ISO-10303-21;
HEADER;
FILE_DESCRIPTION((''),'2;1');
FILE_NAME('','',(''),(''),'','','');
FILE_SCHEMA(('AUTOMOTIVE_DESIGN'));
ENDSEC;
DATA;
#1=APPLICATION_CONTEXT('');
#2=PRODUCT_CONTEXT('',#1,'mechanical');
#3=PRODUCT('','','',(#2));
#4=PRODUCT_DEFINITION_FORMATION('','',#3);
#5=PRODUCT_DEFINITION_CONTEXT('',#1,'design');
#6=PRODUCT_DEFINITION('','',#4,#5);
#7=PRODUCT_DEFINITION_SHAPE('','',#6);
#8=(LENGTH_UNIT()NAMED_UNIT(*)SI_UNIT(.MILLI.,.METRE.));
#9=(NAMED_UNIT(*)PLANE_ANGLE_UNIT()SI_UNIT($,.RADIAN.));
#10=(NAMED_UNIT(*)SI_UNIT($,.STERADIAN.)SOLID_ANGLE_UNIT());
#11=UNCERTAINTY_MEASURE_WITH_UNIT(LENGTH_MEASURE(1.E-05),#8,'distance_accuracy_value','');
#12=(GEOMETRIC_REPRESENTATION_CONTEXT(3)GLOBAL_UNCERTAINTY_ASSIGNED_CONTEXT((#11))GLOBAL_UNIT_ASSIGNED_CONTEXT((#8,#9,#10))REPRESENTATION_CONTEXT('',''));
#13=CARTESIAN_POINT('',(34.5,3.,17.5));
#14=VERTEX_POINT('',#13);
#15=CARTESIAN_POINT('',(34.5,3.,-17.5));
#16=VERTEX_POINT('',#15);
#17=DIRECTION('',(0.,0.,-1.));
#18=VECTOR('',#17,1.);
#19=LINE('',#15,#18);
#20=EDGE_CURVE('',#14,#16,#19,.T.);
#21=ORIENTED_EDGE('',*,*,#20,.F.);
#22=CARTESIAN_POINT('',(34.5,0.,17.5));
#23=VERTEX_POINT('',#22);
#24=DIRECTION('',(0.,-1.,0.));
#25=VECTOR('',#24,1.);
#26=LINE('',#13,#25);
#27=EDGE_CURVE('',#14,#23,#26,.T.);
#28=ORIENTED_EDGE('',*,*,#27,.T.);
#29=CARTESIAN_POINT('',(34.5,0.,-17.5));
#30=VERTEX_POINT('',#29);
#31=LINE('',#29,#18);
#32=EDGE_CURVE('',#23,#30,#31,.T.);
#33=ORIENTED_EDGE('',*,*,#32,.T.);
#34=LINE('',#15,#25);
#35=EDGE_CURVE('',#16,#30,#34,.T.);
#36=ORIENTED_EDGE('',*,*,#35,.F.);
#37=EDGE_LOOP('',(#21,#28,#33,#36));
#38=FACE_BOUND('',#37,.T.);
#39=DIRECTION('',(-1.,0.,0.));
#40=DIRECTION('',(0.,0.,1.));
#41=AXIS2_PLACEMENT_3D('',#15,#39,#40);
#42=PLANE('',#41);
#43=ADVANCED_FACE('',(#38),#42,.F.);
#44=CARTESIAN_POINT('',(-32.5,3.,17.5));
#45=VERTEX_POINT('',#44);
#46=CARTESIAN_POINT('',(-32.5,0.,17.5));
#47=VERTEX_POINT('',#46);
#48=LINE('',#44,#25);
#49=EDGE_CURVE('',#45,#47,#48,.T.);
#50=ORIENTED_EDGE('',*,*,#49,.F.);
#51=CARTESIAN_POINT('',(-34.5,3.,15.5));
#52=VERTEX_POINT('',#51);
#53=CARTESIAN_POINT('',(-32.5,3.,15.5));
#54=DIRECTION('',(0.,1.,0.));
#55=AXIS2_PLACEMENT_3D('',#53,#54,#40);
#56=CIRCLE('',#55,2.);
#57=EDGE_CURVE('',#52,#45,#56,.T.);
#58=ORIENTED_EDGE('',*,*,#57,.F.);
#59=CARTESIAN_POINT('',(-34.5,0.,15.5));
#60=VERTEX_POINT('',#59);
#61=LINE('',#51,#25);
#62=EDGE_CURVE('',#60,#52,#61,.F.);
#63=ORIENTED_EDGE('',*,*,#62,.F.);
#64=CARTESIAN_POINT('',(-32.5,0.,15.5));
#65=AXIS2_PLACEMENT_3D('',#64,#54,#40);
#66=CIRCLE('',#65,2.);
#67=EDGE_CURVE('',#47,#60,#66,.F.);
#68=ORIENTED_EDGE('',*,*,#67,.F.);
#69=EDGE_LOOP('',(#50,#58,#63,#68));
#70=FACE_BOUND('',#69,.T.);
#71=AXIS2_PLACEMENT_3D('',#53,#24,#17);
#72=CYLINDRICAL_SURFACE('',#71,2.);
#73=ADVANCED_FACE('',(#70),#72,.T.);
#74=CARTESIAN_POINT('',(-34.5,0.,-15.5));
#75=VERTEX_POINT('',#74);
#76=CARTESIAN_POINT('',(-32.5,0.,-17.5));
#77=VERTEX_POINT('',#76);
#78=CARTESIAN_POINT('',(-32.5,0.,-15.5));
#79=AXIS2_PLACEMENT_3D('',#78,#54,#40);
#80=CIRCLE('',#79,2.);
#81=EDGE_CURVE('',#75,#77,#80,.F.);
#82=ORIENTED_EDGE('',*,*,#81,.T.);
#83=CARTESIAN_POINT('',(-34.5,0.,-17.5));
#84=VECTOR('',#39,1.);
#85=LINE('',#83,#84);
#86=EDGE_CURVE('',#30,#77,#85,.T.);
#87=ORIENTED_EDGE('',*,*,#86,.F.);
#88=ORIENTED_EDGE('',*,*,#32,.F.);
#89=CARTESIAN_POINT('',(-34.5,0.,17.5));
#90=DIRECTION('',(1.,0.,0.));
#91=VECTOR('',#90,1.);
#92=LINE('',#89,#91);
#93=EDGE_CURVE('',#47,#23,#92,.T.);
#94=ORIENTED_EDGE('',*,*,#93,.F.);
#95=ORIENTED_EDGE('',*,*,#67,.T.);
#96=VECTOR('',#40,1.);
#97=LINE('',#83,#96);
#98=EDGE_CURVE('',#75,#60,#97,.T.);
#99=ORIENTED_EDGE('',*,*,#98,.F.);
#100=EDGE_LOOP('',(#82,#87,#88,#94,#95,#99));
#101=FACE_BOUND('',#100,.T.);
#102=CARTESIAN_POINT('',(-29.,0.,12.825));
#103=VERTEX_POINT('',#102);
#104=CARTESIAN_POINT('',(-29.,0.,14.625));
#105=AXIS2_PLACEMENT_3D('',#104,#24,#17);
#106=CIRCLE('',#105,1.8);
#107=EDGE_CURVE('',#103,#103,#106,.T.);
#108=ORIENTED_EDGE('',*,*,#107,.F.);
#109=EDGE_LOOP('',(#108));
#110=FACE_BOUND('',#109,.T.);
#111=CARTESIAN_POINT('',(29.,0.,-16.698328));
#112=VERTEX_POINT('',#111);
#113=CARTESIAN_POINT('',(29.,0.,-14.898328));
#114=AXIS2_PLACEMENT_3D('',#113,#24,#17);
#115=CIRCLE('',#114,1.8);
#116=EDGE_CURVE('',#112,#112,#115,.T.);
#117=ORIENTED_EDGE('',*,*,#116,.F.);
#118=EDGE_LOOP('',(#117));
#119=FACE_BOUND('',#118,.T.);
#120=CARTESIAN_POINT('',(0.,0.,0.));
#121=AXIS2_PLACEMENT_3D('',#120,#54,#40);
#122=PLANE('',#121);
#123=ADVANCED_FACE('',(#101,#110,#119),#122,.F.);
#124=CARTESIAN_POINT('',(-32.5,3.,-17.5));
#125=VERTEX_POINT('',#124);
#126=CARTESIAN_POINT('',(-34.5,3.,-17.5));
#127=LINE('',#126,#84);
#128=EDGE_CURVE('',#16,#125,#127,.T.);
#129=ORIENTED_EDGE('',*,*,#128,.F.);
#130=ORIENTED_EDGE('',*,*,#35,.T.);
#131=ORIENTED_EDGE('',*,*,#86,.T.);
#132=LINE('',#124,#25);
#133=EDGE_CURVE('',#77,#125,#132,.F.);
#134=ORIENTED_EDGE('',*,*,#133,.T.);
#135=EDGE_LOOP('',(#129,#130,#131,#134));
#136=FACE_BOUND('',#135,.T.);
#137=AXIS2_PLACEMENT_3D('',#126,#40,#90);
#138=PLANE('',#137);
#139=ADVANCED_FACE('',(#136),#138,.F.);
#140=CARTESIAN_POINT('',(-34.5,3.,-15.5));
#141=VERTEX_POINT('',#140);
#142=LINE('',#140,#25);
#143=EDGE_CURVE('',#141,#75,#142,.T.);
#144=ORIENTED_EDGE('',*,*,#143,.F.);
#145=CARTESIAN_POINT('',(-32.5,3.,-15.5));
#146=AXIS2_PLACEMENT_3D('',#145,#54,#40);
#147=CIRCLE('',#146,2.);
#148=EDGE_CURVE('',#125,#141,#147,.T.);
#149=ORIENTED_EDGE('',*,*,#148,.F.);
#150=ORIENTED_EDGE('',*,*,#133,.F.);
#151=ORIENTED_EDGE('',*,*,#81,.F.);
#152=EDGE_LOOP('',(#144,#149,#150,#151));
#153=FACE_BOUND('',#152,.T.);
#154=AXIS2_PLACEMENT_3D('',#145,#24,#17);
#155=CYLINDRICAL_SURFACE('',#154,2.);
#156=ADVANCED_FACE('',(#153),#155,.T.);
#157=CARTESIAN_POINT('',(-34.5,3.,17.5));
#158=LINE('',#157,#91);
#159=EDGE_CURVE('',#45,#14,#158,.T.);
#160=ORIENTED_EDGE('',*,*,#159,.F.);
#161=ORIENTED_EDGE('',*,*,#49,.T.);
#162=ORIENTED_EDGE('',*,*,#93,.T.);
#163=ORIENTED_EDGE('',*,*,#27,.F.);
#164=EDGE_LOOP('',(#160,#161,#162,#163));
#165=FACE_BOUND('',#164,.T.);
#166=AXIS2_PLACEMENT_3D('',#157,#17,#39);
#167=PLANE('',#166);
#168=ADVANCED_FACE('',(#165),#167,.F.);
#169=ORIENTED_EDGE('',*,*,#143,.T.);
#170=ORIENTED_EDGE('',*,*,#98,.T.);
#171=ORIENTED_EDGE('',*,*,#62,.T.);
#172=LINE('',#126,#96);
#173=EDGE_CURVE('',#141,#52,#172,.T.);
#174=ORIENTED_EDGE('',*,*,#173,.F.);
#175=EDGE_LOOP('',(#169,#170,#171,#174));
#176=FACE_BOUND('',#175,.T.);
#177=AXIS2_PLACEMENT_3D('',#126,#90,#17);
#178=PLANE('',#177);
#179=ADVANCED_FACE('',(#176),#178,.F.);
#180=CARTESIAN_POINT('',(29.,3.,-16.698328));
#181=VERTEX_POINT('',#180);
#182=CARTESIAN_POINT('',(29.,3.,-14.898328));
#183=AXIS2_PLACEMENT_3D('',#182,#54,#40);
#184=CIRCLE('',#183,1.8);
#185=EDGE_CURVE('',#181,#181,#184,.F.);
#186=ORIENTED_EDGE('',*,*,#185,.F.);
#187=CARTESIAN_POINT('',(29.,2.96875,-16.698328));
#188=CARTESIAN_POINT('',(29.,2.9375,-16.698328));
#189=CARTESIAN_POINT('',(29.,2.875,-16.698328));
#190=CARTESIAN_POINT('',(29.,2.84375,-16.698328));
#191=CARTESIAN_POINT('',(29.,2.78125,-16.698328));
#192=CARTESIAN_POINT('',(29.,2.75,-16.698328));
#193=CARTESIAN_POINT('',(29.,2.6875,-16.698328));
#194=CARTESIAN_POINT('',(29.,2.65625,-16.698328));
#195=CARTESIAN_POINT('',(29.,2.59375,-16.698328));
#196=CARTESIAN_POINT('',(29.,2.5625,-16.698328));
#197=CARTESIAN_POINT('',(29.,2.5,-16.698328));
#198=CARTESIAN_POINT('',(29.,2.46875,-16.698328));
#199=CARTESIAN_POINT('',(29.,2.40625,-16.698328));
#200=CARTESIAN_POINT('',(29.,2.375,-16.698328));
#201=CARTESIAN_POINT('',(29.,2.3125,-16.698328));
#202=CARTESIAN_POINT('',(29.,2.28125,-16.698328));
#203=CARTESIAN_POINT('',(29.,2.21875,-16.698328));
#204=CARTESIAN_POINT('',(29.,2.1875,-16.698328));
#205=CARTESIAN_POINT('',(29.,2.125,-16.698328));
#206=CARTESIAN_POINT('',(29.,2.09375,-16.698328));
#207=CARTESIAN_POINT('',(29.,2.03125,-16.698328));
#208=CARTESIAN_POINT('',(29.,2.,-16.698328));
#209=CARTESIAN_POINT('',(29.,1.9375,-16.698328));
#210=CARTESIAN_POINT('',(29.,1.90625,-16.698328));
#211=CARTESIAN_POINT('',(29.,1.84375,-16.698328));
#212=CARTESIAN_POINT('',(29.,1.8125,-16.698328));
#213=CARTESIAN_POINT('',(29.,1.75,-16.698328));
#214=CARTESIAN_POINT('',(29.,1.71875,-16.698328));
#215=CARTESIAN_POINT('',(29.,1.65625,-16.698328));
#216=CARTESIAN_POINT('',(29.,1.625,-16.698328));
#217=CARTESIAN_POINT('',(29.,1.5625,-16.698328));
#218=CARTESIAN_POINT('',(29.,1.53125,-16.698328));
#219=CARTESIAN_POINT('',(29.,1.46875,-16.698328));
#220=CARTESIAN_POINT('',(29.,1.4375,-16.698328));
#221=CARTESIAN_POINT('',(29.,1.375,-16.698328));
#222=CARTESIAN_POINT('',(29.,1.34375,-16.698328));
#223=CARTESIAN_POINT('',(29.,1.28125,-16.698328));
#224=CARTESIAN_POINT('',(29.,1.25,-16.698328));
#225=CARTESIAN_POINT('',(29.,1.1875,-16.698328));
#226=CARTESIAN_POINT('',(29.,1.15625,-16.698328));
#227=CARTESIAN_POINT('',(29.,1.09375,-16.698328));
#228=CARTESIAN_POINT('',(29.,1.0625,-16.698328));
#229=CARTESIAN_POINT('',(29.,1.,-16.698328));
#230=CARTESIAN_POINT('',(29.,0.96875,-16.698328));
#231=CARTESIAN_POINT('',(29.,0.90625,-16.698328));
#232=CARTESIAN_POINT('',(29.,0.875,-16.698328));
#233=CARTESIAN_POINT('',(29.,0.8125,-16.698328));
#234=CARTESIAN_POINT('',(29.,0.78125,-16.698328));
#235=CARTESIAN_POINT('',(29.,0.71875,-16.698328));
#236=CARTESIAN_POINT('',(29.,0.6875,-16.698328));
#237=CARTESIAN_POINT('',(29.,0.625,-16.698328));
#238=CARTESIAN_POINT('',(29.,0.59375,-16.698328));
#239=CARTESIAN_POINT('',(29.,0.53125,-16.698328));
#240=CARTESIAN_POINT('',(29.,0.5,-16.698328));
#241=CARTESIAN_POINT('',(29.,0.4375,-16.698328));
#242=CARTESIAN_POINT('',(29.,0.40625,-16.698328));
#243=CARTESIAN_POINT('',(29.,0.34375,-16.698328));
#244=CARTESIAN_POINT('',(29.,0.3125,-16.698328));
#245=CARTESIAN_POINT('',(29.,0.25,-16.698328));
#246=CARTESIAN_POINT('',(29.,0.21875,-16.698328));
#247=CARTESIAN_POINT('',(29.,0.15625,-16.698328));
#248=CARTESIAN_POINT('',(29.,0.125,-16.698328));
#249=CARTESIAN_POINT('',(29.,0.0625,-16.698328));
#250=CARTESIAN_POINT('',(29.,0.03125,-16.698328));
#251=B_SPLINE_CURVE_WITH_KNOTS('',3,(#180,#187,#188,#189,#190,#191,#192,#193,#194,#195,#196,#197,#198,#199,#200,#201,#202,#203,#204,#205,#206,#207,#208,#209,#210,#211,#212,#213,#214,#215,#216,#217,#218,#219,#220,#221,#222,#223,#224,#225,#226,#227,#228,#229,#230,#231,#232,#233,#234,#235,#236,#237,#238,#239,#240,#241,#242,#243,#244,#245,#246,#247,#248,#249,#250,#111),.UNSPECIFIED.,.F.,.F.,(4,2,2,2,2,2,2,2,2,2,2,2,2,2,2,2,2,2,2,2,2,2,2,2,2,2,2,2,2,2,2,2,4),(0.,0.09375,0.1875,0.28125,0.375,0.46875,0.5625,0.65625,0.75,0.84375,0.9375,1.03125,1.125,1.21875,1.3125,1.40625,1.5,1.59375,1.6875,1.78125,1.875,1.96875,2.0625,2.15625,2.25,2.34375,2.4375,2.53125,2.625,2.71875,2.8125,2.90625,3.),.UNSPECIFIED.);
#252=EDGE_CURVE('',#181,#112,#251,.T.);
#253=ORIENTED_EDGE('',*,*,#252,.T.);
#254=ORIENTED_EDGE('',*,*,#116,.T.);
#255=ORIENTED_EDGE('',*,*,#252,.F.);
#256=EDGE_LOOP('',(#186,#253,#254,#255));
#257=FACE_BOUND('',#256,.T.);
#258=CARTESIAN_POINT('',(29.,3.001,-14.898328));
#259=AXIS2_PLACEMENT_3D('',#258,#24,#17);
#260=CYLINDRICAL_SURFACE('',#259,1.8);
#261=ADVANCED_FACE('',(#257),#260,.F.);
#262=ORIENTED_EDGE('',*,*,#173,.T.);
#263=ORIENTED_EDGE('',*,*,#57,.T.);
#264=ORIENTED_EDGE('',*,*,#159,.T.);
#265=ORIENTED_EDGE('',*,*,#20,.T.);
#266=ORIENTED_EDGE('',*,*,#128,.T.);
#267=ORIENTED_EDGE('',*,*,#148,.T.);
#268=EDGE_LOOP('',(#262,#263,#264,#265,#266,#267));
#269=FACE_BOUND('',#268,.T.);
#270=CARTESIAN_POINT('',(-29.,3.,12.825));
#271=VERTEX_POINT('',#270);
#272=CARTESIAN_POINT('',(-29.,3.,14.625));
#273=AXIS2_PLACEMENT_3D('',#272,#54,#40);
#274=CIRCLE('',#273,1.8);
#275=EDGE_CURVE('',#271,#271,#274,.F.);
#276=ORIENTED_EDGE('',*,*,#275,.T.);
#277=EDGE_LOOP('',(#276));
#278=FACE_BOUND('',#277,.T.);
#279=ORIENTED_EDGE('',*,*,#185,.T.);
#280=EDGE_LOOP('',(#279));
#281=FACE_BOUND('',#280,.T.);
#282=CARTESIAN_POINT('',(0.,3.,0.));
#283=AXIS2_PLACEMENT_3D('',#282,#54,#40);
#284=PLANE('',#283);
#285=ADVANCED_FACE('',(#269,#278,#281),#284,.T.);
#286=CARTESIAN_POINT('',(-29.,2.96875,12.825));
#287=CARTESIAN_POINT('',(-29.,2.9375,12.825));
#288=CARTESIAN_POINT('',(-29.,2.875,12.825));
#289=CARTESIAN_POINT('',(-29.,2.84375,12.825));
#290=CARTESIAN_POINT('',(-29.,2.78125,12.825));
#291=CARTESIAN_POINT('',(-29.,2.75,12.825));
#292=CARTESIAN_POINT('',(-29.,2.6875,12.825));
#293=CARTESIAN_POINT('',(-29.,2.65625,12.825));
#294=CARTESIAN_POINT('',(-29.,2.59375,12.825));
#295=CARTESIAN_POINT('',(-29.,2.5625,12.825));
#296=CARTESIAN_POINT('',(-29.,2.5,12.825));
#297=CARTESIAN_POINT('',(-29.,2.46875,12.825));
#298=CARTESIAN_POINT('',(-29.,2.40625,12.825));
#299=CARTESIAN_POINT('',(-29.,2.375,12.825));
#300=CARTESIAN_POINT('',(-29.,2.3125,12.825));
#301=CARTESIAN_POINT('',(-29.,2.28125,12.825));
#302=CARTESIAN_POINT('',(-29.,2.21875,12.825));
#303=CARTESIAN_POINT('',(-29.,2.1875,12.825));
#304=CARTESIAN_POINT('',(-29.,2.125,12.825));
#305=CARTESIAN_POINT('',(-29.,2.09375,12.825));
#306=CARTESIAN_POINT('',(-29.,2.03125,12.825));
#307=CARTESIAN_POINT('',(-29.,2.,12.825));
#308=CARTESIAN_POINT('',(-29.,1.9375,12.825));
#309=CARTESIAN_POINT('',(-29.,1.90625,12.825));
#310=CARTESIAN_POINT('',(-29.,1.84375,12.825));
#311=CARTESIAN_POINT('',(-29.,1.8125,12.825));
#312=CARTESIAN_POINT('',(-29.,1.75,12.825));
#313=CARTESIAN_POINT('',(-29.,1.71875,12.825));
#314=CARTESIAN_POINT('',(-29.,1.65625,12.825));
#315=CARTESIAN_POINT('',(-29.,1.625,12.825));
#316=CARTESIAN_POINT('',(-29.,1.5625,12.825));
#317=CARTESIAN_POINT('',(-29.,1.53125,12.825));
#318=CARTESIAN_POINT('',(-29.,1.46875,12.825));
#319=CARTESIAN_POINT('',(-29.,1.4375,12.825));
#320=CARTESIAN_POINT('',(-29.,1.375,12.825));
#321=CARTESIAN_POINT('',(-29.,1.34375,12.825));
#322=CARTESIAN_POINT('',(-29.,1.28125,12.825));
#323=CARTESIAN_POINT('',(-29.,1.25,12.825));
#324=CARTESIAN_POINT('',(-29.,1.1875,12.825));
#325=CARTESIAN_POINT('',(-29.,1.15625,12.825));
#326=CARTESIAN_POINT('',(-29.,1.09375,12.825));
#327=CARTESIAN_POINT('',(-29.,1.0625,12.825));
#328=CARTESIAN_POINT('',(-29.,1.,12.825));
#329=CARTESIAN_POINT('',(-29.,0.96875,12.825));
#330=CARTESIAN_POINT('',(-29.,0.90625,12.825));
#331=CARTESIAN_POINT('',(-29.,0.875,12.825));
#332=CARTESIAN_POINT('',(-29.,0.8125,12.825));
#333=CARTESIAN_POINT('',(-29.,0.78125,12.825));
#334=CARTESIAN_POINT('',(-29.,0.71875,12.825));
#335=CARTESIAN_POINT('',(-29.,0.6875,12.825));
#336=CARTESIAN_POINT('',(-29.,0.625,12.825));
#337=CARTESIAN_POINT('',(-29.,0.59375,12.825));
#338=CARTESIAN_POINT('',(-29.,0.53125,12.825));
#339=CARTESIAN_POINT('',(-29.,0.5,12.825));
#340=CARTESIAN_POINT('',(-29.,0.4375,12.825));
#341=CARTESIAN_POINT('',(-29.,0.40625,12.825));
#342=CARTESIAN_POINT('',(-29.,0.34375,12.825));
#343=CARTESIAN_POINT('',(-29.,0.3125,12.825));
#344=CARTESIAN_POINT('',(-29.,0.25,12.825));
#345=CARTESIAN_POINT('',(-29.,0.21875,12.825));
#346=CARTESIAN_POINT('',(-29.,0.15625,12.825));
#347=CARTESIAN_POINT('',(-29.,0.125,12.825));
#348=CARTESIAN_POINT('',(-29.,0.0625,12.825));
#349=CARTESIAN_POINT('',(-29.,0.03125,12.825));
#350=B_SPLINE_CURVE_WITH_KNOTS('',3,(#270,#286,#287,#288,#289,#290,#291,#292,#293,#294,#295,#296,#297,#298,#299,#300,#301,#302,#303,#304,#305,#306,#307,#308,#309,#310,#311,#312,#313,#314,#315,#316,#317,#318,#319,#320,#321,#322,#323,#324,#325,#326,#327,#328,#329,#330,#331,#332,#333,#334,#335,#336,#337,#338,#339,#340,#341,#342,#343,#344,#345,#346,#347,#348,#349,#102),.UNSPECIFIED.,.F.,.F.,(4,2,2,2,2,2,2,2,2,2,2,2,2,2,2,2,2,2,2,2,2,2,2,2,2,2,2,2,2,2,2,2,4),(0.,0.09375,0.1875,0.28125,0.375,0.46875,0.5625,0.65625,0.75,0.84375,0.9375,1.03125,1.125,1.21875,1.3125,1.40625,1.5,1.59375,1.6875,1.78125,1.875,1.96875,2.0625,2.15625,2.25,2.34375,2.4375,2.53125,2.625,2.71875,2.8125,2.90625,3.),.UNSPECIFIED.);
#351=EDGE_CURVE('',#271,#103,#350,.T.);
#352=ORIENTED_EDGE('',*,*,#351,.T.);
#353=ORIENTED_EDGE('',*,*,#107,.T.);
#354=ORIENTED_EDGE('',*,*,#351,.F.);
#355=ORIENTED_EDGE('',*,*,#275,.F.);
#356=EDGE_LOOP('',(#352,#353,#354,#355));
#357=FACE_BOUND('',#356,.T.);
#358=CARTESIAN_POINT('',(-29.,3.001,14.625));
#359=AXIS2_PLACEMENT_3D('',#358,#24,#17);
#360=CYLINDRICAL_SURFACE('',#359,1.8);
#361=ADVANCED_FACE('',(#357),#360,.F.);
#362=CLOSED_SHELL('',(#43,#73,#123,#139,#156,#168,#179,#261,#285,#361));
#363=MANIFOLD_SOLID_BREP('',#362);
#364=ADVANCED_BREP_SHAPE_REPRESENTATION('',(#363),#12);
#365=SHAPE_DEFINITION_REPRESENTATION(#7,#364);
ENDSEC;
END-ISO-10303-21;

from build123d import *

# Parameters (mm, degrees)
SKETCH1_W           = 69
SKETCH1_H           = 35
BOSS_EXTRUDE1_DEPTH = 3
FILLET4_R           = 2
CUT_EXTRUDE1_REACH  = 40.801
SKETCH2_R           = 1.8


with BuildPart() as part:
    # Sketch1 → Boss-Extrude1 (new body)
    with BuildSketch(Plane(origin=(0, 0, 0), x_dir=(1, 0, 0), z_dir=(0, 1, 0))):
        Rectangle(SKETCH1_W, SKETCH1_H)
    extrude(amount=BOSS_EXTRUDE1_DEPTH)

    # Fillet4
    fillet4_edges = [part.edges().sort_by_distance(p)[0] for p in [
        (-34.5, 1.5, 17.5),
        (-34.5, 1.5, -17.5),
    ]]
    fillet(fillet4_edges, radius=FILLET4_R)

    # Sketch2 → Cut-Extrude1 (cut, up to next)
    with BuildSketch(Plane.XZ, mode=Mode.PRIVATE) as cut_extrude1_sk1:
        with Locations(Location((-29, 14.625, 0), (0, 0, 270))):
            Circle(SKETCH2_R)
    cut_extrude1_tool1 = extrude(cut_extrude1_sk1.sketch, amount=-CUT_EXTRUDE1_REACH, mode=Mode.PRIVATE) & part.part
    # Sketch2 → Cut-Extrude1 (cut, up to next)
    with BuildSketch(Plane.XZ, mode=Mode.PRIVATE) as cut_extrude1_sk2:
        with Locations(Location((29, -14.898327821, 0), (0, 0, 270))):
            Circle(SKETCH2_R)
    cut_extrude1_tool2 = extrude(cut_extrude1_sk2.sketch, amount=-CUT_EXTRUDE1_REACH, mode=Mode.PRIVATE) & part.part
    add(cut_extrude1_tool1.solids().sort_by_distance((-29, 0, 14.625))[0], mode=Mode.SUBTRACT)
    add(cut_extrude1_tool2.solids().sort_by_distance((29, 0, -14.898328))[0], mode=Mode.SUBTRACT)


solid = part.part
